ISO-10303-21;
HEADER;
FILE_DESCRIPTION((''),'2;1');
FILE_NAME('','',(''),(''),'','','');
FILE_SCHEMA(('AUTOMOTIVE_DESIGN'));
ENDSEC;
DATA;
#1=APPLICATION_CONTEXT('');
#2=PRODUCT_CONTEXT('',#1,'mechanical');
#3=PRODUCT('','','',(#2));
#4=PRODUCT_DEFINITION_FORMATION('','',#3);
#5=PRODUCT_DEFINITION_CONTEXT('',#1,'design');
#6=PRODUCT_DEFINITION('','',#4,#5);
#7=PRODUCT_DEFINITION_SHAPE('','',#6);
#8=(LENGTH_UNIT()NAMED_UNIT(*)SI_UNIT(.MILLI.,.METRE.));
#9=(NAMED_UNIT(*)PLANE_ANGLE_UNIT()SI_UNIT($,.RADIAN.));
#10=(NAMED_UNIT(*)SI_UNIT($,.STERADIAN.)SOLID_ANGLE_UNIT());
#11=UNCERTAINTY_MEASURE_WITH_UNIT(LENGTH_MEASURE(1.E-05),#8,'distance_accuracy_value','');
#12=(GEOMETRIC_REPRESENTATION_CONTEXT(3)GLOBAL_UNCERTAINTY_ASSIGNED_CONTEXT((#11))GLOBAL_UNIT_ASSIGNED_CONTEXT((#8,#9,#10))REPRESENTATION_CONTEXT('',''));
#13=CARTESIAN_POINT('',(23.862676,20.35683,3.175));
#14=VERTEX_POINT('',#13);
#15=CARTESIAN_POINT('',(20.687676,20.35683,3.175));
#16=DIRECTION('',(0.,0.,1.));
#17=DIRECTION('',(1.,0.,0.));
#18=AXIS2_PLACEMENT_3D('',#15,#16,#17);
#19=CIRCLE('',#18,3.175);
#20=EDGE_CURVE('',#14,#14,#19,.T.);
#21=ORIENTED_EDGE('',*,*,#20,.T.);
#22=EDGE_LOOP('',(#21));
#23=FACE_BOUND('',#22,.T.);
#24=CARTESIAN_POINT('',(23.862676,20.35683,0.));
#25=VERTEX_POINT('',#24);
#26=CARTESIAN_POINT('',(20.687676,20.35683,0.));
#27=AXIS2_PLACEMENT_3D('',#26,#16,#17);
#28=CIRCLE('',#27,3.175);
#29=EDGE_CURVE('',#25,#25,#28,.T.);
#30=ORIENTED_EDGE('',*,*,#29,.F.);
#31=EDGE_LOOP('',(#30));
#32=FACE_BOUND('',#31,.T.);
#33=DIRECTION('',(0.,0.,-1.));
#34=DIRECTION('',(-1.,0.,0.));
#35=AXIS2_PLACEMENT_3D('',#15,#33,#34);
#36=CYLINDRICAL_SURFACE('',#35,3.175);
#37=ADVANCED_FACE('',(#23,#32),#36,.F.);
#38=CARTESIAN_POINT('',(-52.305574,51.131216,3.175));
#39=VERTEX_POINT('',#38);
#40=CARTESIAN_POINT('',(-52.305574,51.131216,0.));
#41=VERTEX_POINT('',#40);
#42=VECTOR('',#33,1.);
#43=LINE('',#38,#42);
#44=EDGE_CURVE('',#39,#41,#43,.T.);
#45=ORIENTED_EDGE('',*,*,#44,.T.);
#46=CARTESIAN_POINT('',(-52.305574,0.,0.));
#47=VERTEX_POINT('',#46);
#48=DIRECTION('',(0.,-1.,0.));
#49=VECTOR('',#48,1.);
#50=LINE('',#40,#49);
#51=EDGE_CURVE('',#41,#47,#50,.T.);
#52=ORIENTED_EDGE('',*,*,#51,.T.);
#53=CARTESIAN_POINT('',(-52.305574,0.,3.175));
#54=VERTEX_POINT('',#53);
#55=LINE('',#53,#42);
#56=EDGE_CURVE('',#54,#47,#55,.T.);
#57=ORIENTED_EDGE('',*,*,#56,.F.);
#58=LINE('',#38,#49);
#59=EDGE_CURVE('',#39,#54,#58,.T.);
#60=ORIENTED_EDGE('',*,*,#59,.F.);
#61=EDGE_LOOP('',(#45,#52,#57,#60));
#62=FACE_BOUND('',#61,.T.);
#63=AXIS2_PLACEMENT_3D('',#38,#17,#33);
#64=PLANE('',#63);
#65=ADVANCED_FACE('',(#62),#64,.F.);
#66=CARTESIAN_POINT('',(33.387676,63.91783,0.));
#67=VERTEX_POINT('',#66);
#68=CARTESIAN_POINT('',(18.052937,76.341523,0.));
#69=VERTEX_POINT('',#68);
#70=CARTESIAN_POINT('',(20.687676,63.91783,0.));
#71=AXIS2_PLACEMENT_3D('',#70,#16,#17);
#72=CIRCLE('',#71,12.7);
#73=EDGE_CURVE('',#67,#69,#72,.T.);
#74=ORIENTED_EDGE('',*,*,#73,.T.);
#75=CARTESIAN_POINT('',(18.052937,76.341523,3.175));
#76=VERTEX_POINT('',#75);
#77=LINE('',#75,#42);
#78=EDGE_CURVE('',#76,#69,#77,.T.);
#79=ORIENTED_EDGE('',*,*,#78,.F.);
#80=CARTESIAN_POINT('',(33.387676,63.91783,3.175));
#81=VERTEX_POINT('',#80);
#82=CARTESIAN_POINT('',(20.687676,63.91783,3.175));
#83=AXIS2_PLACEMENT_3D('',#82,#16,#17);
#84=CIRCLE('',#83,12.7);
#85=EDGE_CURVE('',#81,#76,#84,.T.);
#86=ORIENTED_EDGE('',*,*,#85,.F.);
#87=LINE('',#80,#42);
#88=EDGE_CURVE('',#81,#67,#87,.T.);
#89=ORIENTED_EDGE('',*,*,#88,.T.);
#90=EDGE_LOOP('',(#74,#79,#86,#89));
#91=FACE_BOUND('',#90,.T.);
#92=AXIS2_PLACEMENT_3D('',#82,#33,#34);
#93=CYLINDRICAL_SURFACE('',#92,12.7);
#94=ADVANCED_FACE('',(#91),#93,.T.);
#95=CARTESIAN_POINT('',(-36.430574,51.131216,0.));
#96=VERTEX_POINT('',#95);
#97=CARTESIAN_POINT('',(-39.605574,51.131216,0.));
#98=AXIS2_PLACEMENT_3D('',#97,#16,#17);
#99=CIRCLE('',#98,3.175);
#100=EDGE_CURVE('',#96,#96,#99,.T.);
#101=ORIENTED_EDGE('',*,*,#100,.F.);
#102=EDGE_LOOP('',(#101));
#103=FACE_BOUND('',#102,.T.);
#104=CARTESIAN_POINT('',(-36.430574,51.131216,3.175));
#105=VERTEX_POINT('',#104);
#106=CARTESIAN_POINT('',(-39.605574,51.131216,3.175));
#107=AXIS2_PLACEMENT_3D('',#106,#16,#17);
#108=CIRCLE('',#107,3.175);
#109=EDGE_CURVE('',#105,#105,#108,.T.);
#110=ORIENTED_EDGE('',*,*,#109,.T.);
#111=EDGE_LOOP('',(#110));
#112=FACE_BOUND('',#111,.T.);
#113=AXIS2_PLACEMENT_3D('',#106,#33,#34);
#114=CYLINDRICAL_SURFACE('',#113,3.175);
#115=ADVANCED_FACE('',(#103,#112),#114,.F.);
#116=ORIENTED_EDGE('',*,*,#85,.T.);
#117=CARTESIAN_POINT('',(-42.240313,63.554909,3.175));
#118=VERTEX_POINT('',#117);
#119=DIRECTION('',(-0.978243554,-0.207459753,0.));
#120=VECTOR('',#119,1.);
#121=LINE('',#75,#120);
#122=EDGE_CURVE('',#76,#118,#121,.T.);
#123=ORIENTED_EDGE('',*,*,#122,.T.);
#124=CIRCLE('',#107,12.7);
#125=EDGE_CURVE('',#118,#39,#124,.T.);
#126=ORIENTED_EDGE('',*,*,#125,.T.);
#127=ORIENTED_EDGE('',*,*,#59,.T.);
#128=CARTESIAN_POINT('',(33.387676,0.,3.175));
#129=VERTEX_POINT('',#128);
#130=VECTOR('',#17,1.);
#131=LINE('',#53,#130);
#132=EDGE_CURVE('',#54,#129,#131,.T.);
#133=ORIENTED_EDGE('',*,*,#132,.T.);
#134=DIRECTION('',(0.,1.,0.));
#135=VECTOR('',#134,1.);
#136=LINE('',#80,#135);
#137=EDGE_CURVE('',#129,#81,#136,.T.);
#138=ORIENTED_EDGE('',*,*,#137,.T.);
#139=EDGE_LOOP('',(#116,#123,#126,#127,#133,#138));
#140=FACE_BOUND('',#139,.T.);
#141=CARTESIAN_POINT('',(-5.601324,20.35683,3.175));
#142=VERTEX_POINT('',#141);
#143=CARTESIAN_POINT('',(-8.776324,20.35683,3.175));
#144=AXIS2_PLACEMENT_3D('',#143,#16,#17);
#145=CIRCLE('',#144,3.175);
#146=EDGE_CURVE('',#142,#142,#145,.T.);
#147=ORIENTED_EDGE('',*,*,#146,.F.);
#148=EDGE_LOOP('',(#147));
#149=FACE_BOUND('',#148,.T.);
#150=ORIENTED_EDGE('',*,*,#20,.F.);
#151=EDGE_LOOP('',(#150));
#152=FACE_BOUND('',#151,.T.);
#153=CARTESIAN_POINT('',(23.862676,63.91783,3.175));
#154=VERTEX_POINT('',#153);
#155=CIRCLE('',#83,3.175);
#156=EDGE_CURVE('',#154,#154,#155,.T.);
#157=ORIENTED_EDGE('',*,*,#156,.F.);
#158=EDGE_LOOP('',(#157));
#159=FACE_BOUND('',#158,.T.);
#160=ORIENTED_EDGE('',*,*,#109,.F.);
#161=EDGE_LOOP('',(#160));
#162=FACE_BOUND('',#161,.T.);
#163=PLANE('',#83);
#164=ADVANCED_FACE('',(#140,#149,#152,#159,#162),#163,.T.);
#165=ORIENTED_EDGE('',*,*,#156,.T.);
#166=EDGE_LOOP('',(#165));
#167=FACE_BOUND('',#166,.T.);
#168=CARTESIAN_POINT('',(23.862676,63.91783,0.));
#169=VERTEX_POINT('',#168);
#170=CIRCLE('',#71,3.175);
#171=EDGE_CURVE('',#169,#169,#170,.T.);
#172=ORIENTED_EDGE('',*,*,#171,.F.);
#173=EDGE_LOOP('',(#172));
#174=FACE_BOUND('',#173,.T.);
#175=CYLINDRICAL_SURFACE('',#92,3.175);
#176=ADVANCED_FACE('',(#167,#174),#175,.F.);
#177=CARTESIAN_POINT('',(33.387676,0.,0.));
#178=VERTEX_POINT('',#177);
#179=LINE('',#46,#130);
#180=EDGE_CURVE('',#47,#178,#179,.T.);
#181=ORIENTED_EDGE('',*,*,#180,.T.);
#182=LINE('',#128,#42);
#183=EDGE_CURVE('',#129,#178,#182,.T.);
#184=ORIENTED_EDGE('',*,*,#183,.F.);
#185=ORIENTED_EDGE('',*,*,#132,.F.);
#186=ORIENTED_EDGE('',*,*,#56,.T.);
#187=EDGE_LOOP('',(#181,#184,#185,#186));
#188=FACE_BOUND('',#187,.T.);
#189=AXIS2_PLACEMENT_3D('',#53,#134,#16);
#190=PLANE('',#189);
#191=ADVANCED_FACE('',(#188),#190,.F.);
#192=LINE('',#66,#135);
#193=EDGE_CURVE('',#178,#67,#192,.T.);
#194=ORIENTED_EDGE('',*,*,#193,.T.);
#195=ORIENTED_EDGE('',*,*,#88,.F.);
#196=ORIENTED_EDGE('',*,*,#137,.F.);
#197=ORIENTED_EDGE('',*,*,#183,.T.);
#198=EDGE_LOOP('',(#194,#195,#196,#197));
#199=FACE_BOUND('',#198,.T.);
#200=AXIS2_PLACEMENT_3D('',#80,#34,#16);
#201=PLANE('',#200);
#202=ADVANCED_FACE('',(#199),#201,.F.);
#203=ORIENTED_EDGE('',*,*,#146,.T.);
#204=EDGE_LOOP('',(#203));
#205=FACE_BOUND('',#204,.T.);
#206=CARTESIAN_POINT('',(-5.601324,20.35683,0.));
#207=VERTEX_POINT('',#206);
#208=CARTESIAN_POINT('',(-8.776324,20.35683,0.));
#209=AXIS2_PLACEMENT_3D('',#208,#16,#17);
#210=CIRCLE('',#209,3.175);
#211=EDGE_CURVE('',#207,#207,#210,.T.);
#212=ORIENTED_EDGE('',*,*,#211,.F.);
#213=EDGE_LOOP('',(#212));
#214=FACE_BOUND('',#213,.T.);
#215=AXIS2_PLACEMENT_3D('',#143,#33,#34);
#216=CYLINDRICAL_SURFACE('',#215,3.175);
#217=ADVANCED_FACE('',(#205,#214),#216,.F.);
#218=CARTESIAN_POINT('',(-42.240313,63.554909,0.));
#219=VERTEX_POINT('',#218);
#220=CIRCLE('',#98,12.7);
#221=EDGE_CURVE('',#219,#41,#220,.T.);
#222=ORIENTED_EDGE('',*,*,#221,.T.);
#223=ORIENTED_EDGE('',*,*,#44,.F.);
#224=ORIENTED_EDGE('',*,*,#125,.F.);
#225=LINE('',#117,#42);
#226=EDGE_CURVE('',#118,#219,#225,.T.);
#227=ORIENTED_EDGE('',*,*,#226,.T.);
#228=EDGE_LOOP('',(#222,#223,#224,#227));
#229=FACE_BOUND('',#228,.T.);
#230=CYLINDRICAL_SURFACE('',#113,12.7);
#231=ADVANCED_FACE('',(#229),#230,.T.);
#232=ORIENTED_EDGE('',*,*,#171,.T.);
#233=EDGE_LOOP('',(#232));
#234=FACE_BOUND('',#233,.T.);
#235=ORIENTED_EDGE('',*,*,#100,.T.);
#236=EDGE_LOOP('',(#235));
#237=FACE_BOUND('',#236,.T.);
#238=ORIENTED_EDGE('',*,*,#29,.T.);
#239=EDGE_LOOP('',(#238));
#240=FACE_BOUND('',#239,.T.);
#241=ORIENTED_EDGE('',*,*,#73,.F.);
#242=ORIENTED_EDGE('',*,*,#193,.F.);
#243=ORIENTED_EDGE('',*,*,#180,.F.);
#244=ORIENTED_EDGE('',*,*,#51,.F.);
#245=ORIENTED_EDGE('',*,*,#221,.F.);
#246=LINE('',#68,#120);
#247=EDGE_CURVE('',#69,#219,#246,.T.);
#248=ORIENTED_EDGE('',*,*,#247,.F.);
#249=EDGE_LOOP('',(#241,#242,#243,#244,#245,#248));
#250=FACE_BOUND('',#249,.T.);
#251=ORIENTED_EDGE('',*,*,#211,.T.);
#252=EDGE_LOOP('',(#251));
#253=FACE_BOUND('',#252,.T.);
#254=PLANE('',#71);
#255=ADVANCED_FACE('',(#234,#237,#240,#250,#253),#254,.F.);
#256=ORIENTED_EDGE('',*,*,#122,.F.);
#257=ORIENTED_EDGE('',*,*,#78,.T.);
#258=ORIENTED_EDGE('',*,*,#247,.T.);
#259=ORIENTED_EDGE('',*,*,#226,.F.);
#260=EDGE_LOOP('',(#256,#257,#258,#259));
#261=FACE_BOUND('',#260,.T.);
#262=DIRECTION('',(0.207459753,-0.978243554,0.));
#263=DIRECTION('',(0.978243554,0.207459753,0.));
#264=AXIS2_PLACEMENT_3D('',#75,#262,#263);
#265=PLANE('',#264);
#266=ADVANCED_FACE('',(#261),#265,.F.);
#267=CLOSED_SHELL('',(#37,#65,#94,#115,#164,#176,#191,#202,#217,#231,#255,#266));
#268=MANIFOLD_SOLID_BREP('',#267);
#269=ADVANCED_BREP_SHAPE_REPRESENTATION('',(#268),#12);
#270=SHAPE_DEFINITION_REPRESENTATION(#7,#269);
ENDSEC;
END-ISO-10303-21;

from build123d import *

# Parameters (mm, degrees)
SKETCH1_R           = 3.175
BOSS_EXTRUDE1_DEPTH = 3.175


with BuildPart() as part:
    # Sketch1 → Boss-Extrude1 (new body)
    with BuildSketch(Plane.XY):
        with BuildLine():
            Line((18.052936785, 76.341523137), (-42.240313215, 63.554909137))
            ThreePointArc((-42.240313215, 63.554909137), (-49.473481519, 59.125864726), (-52.305574358, 51.131216))
            Line((-52.305574358, 51.131216), (-52.305574358, 0))
            Line((-52.305574358, 0), (33.387675642, 0))
            Line((33.387675642, 0), (33.387675642, 63.91783))
            ThreePointArc((33.387675642, 63.91783), (28.682324369, 73.785737161), (18.052936785, 76.341523137))
        make_face()
        with Locations((20.687675642, 20.35683)):
            Circle(SKETCH1_R, mode=Mode.SUBTRACT)
        with Locations((20.687675642, 63.91783)):
            Circle(SKETCH1_R, mode=Mode.SUBTRACT)
        with Locations((-8.776324358, 20.35683)):
            Circle(SKETCH1_R, mode=Mode.SUBTRACT)
        with Locations((-39.605574358, 51.131216)):
            Circle(SKETCH1_R, mode=Mode.SUBTRACT)
    extrude(amount=BOSS_EXTRUDE1_DEPTH)


solid = part.part
